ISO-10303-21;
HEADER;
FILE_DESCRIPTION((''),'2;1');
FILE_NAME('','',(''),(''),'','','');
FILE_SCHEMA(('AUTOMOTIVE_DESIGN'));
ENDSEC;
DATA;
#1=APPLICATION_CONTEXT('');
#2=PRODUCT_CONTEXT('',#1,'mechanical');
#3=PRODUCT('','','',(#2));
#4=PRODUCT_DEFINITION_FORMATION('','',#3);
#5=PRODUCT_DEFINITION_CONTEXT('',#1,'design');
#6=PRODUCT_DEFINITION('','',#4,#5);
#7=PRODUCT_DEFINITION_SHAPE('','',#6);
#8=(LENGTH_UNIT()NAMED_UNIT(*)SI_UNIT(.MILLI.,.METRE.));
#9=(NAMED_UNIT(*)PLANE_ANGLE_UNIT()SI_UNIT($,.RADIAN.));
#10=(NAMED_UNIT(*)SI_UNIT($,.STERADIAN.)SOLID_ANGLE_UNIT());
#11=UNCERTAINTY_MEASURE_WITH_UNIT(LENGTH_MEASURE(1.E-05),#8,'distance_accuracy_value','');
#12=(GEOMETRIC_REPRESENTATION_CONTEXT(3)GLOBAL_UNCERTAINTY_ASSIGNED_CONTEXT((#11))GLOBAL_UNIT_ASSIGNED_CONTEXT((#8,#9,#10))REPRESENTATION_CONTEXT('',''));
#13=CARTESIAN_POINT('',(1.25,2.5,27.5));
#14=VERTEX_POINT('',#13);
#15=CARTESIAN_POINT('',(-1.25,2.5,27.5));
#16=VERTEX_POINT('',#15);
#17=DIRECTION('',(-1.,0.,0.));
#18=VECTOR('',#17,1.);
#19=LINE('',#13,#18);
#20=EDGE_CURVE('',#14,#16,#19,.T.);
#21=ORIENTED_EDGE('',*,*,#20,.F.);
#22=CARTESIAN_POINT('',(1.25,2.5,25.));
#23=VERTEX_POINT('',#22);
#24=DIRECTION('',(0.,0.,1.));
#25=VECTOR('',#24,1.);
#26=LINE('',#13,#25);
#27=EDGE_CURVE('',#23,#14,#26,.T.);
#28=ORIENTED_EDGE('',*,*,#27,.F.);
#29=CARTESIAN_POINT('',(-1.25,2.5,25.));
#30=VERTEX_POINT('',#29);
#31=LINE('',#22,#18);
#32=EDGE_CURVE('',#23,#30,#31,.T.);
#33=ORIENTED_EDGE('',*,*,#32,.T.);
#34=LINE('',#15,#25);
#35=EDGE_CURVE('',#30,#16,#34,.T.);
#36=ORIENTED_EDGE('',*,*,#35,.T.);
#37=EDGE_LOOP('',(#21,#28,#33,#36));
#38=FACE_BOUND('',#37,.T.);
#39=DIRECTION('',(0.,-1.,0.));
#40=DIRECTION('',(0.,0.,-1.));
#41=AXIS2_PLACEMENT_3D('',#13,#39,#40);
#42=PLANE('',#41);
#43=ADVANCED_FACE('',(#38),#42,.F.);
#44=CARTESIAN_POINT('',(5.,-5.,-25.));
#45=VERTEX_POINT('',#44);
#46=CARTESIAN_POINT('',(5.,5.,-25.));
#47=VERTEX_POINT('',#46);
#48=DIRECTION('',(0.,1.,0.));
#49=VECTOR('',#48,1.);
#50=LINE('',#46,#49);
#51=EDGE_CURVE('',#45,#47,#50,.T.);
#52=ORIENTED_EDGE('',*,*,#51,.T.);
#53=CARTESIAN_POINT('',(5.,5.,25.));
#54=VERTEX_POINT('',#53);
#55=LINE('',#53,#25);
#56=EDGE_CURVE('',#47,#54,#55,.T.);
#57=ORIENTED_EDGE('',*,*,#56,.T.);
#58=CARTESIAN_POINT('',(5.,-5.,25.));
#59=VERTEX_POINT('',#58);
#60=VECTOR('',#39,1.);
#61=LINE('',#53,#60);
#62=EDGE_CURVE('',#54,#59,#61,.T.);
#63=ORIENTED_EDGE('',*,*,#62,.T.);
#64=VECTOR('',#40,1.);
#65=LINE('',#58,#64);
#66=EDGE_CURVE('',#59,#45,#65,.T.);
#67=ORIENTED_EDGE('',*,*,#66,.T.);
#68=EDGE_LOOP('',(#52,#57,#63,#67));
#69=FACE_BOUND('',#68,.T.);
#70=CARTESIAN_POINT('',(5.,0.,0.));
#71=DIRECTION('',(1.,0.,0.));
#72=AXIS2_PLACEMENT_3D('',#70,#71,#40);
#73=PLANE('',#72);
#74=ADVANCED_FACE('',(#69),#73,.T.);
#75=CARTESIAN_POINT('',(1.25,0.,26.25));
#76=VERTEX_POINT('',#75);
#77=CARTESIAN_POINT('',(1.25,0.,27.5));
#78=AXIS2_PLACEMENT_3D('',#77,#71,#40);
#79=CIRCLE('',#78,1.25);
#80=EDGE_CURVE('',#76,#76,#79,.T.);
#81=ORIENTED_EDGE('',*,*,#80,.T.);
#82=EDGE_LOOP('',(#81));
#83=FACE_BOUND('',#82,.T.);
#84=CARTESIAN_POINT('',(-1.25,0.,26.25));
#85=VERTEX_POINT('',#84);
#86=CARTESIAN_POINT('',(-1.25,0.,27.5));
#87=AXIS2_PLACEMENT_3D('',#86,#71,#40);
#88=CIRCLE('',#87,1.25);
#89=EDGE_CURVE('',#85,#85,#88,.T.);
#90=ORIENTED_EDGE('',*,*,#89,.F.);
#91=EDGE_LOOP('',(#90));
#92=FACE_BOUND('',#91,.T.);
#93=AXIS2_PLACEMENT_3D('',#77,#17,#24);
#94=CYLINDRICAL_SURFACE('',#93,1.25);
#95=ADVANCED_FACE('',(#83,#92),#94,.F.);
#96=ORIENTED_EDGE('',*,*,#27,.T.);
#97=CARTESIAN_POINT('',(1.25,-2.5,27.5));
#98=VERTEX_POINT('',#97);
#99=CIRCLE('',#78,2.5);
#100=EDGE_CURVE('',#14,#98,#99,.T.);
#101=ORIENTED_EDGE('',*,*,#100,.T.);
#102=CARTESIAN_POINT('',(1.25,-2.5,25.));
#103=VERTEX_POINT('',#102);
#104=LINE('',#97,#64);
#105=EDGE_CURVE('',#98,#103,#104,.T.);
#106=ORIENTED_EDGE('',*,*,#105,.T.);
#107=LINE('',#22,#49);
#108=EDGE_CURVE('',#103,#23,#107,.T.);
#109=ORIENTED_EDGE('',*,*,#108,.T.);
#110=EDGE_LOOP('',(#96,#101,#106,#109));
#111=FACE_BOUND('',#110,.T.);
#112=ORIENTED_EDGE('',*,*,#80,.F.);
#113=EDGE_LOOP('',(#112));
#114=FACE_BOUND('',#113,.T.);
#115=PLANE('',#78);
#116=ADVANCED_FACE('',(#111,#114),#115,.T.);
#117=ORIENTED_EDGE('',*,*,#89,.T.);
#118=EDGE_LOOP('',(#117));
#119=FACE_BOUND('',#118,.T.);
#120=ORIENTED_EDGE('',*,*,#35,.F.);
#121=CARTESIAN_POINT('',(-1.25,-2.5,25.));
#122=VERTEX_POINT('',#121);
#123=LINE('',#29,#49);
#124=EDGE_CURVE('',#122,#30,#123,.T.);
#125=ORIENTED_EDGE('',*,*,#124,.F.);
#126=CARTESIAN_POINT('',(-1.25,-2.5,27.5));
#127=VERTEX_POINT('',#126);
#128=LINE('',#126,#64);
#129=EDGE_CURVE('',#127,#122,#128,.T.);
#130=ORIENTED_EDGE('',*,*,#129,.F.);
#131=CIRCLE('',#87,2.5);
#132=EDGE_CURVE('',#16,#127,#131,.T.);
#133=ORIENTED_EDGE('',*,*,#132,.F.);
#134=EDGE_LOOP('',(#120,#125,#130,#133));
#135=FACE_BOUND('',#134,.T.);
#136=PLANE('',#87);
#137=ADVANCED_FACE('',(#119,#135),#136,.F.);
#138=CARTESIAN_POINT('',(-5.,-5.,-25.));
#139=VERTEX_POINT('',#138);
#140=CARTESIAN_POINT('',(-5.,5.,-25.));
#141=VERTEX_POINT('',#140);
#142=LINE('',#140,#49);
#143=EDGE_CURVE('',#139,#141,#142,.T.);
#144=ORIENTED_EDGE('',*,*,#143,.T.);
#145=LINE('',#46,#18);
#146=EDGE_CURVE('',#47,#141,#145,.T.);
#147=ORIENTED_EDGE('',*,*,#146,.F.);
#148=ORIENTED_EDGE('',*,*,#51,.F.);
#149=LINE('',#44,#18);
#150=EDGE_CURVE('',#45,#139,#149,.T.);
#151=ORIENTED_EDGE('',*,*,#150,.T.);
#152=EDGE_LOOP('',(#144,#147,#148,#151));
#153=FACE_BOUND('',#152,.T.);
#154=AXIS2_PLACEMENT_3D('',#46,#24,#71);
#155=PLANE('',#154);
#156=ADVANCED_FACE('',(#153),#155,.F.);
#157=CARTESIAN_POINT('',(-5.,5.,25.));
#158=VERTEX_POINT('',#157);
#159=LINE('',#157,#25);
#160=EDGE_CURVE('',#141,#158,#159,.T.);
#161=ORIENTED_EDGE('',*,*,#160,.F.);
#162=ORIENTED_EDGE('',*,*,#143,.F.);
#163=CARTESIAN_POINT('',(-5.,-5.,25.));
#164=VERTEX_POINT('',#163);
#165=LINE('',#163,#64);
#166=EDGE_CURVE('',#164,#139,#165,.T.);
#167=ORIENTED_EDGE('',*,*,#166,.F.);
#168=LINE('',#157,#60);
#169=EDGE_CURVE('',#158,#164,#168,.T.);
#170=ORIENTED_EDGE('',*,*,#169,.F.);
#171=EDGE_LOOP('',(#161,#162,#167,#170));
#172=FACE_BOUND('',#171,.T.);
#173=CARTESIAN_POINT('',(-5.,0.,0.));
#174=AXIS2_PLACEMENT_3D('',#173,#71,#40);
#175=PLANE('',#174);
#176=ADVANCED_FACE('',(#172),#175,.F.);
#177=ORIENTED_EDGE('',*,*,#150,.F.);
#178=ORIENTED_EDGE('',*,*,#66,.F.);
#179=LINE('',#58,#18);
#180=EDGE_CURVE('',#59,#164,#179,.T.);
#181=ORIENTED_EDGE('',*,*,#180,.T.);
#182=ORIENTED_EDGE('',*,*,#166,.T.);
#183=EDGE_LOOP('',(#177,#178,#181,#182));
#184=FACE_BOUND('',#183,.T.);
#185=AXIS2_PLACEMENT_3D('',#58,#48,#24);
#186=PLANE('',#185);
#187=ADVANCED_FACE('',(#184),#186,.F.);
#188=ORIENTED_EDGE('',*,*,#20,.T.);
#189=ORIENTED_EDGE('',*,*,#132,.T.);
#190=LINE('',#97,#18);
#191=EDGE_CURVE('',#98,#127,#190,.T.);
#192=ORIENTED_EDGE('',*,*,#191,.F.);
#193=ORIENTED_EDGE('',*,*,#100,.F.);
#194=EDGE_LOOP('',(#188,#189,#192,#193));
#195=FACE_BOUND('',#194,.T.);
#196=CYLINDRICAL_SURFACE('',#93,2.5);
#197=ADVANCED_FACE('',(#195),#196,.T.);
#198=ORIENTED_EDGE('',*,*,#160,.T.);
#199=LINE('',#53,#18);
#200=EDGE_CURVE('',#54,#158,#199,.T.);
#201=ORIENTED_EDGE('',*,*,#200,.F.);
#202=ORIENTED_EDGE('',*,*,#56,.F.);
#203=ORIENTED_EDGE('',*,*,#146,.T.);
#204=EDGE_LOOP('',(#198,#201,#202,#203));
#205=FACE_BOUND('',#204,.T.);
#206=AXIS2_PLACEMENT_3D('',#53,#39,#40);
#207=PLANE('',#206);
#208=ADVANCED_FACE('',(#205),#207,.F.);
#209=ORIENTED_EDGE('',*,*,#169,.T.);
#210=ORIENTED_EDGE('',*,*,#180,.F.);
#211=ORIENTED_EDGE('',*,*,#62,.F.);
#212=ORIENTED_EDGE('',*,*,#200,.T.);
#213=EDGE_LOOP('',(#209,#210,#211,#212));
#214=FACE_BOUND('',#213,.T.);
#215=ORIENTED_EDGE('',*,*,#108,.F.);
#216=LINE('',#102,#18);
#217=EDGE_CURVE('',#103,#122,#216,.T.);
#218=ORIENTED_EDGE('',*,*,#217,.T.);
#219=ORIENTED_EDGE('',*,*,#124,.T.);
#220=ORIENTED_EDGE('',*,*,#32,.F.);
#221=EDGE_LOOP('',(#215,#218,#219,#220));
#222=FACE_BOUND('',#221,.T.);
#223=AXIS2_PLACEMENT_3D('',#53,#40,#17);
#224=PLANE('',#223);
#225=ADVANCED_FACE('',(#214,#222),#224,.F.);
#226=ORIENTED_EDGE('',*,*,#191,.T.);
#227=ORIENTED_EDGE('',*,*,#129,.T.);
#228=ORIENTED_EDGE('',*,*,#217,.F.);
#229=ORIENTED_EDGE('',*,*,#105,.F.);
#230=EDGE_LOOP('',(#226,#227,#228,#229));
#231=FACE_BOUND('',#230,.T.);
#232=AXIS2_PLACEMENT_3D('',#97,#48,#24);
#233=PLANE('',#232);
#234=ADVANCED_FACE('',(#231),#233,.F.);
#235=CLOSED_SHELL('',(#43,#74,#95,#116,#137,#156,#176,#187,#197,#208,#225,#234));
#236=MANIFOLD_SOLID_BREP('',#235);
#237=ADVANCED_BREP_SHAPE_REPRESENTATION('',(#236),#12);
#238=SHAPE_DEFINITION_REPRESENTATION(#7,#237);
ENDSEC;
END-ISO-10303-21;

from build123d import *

# Parameters (mm, degrees)
SKETCH_2_W      = 50
SKETCH_2_H      = 10
EXTRUDE_1_DEPTH = 5
SKETCH_3_R      = 1.25
EXTRUDE_2_DEPTH = 1.25


with BuildPart() as part:
    # 스케치2 → 보스-돌출1 (new, symmetric)
    with BuildSketch(Plane(origin=(0, 0, 0), x_dir=(0, 0, -1), z_dir=(1, 0, 0))):
        Rectangle(SKETCH_2_W, SKETCH_2_H)
    extrude(amount=EXTRUDE_1_DEPTH, both=True)

    # 스케치3 → 보스-돌출2 (add, symmetric)
    with BuildSketch(Plane(origin=(0, 0, 0), x_dir=(0, 0, -1), z_dir=(1, 0, 0))):
        with BuildLine():
            Line((-27.5, 2.5), (-25, 2.5))
            Line((-25, 2.5), (-25, -2.5))
            Line((-25, -2.5), (-27.5, -2.5))
            ThreePointArc((-27.5, -2.5), (-30, 0), (-27.5, 2.5))
        make_face()
        with Locations((-27.5, 0)):
            Circle(SKETCH_3_R, mode=Mode.SUBTRACT)
    extrude(amount=EXTRUDE_2_DEPTH, both=True)


solid = part.part
